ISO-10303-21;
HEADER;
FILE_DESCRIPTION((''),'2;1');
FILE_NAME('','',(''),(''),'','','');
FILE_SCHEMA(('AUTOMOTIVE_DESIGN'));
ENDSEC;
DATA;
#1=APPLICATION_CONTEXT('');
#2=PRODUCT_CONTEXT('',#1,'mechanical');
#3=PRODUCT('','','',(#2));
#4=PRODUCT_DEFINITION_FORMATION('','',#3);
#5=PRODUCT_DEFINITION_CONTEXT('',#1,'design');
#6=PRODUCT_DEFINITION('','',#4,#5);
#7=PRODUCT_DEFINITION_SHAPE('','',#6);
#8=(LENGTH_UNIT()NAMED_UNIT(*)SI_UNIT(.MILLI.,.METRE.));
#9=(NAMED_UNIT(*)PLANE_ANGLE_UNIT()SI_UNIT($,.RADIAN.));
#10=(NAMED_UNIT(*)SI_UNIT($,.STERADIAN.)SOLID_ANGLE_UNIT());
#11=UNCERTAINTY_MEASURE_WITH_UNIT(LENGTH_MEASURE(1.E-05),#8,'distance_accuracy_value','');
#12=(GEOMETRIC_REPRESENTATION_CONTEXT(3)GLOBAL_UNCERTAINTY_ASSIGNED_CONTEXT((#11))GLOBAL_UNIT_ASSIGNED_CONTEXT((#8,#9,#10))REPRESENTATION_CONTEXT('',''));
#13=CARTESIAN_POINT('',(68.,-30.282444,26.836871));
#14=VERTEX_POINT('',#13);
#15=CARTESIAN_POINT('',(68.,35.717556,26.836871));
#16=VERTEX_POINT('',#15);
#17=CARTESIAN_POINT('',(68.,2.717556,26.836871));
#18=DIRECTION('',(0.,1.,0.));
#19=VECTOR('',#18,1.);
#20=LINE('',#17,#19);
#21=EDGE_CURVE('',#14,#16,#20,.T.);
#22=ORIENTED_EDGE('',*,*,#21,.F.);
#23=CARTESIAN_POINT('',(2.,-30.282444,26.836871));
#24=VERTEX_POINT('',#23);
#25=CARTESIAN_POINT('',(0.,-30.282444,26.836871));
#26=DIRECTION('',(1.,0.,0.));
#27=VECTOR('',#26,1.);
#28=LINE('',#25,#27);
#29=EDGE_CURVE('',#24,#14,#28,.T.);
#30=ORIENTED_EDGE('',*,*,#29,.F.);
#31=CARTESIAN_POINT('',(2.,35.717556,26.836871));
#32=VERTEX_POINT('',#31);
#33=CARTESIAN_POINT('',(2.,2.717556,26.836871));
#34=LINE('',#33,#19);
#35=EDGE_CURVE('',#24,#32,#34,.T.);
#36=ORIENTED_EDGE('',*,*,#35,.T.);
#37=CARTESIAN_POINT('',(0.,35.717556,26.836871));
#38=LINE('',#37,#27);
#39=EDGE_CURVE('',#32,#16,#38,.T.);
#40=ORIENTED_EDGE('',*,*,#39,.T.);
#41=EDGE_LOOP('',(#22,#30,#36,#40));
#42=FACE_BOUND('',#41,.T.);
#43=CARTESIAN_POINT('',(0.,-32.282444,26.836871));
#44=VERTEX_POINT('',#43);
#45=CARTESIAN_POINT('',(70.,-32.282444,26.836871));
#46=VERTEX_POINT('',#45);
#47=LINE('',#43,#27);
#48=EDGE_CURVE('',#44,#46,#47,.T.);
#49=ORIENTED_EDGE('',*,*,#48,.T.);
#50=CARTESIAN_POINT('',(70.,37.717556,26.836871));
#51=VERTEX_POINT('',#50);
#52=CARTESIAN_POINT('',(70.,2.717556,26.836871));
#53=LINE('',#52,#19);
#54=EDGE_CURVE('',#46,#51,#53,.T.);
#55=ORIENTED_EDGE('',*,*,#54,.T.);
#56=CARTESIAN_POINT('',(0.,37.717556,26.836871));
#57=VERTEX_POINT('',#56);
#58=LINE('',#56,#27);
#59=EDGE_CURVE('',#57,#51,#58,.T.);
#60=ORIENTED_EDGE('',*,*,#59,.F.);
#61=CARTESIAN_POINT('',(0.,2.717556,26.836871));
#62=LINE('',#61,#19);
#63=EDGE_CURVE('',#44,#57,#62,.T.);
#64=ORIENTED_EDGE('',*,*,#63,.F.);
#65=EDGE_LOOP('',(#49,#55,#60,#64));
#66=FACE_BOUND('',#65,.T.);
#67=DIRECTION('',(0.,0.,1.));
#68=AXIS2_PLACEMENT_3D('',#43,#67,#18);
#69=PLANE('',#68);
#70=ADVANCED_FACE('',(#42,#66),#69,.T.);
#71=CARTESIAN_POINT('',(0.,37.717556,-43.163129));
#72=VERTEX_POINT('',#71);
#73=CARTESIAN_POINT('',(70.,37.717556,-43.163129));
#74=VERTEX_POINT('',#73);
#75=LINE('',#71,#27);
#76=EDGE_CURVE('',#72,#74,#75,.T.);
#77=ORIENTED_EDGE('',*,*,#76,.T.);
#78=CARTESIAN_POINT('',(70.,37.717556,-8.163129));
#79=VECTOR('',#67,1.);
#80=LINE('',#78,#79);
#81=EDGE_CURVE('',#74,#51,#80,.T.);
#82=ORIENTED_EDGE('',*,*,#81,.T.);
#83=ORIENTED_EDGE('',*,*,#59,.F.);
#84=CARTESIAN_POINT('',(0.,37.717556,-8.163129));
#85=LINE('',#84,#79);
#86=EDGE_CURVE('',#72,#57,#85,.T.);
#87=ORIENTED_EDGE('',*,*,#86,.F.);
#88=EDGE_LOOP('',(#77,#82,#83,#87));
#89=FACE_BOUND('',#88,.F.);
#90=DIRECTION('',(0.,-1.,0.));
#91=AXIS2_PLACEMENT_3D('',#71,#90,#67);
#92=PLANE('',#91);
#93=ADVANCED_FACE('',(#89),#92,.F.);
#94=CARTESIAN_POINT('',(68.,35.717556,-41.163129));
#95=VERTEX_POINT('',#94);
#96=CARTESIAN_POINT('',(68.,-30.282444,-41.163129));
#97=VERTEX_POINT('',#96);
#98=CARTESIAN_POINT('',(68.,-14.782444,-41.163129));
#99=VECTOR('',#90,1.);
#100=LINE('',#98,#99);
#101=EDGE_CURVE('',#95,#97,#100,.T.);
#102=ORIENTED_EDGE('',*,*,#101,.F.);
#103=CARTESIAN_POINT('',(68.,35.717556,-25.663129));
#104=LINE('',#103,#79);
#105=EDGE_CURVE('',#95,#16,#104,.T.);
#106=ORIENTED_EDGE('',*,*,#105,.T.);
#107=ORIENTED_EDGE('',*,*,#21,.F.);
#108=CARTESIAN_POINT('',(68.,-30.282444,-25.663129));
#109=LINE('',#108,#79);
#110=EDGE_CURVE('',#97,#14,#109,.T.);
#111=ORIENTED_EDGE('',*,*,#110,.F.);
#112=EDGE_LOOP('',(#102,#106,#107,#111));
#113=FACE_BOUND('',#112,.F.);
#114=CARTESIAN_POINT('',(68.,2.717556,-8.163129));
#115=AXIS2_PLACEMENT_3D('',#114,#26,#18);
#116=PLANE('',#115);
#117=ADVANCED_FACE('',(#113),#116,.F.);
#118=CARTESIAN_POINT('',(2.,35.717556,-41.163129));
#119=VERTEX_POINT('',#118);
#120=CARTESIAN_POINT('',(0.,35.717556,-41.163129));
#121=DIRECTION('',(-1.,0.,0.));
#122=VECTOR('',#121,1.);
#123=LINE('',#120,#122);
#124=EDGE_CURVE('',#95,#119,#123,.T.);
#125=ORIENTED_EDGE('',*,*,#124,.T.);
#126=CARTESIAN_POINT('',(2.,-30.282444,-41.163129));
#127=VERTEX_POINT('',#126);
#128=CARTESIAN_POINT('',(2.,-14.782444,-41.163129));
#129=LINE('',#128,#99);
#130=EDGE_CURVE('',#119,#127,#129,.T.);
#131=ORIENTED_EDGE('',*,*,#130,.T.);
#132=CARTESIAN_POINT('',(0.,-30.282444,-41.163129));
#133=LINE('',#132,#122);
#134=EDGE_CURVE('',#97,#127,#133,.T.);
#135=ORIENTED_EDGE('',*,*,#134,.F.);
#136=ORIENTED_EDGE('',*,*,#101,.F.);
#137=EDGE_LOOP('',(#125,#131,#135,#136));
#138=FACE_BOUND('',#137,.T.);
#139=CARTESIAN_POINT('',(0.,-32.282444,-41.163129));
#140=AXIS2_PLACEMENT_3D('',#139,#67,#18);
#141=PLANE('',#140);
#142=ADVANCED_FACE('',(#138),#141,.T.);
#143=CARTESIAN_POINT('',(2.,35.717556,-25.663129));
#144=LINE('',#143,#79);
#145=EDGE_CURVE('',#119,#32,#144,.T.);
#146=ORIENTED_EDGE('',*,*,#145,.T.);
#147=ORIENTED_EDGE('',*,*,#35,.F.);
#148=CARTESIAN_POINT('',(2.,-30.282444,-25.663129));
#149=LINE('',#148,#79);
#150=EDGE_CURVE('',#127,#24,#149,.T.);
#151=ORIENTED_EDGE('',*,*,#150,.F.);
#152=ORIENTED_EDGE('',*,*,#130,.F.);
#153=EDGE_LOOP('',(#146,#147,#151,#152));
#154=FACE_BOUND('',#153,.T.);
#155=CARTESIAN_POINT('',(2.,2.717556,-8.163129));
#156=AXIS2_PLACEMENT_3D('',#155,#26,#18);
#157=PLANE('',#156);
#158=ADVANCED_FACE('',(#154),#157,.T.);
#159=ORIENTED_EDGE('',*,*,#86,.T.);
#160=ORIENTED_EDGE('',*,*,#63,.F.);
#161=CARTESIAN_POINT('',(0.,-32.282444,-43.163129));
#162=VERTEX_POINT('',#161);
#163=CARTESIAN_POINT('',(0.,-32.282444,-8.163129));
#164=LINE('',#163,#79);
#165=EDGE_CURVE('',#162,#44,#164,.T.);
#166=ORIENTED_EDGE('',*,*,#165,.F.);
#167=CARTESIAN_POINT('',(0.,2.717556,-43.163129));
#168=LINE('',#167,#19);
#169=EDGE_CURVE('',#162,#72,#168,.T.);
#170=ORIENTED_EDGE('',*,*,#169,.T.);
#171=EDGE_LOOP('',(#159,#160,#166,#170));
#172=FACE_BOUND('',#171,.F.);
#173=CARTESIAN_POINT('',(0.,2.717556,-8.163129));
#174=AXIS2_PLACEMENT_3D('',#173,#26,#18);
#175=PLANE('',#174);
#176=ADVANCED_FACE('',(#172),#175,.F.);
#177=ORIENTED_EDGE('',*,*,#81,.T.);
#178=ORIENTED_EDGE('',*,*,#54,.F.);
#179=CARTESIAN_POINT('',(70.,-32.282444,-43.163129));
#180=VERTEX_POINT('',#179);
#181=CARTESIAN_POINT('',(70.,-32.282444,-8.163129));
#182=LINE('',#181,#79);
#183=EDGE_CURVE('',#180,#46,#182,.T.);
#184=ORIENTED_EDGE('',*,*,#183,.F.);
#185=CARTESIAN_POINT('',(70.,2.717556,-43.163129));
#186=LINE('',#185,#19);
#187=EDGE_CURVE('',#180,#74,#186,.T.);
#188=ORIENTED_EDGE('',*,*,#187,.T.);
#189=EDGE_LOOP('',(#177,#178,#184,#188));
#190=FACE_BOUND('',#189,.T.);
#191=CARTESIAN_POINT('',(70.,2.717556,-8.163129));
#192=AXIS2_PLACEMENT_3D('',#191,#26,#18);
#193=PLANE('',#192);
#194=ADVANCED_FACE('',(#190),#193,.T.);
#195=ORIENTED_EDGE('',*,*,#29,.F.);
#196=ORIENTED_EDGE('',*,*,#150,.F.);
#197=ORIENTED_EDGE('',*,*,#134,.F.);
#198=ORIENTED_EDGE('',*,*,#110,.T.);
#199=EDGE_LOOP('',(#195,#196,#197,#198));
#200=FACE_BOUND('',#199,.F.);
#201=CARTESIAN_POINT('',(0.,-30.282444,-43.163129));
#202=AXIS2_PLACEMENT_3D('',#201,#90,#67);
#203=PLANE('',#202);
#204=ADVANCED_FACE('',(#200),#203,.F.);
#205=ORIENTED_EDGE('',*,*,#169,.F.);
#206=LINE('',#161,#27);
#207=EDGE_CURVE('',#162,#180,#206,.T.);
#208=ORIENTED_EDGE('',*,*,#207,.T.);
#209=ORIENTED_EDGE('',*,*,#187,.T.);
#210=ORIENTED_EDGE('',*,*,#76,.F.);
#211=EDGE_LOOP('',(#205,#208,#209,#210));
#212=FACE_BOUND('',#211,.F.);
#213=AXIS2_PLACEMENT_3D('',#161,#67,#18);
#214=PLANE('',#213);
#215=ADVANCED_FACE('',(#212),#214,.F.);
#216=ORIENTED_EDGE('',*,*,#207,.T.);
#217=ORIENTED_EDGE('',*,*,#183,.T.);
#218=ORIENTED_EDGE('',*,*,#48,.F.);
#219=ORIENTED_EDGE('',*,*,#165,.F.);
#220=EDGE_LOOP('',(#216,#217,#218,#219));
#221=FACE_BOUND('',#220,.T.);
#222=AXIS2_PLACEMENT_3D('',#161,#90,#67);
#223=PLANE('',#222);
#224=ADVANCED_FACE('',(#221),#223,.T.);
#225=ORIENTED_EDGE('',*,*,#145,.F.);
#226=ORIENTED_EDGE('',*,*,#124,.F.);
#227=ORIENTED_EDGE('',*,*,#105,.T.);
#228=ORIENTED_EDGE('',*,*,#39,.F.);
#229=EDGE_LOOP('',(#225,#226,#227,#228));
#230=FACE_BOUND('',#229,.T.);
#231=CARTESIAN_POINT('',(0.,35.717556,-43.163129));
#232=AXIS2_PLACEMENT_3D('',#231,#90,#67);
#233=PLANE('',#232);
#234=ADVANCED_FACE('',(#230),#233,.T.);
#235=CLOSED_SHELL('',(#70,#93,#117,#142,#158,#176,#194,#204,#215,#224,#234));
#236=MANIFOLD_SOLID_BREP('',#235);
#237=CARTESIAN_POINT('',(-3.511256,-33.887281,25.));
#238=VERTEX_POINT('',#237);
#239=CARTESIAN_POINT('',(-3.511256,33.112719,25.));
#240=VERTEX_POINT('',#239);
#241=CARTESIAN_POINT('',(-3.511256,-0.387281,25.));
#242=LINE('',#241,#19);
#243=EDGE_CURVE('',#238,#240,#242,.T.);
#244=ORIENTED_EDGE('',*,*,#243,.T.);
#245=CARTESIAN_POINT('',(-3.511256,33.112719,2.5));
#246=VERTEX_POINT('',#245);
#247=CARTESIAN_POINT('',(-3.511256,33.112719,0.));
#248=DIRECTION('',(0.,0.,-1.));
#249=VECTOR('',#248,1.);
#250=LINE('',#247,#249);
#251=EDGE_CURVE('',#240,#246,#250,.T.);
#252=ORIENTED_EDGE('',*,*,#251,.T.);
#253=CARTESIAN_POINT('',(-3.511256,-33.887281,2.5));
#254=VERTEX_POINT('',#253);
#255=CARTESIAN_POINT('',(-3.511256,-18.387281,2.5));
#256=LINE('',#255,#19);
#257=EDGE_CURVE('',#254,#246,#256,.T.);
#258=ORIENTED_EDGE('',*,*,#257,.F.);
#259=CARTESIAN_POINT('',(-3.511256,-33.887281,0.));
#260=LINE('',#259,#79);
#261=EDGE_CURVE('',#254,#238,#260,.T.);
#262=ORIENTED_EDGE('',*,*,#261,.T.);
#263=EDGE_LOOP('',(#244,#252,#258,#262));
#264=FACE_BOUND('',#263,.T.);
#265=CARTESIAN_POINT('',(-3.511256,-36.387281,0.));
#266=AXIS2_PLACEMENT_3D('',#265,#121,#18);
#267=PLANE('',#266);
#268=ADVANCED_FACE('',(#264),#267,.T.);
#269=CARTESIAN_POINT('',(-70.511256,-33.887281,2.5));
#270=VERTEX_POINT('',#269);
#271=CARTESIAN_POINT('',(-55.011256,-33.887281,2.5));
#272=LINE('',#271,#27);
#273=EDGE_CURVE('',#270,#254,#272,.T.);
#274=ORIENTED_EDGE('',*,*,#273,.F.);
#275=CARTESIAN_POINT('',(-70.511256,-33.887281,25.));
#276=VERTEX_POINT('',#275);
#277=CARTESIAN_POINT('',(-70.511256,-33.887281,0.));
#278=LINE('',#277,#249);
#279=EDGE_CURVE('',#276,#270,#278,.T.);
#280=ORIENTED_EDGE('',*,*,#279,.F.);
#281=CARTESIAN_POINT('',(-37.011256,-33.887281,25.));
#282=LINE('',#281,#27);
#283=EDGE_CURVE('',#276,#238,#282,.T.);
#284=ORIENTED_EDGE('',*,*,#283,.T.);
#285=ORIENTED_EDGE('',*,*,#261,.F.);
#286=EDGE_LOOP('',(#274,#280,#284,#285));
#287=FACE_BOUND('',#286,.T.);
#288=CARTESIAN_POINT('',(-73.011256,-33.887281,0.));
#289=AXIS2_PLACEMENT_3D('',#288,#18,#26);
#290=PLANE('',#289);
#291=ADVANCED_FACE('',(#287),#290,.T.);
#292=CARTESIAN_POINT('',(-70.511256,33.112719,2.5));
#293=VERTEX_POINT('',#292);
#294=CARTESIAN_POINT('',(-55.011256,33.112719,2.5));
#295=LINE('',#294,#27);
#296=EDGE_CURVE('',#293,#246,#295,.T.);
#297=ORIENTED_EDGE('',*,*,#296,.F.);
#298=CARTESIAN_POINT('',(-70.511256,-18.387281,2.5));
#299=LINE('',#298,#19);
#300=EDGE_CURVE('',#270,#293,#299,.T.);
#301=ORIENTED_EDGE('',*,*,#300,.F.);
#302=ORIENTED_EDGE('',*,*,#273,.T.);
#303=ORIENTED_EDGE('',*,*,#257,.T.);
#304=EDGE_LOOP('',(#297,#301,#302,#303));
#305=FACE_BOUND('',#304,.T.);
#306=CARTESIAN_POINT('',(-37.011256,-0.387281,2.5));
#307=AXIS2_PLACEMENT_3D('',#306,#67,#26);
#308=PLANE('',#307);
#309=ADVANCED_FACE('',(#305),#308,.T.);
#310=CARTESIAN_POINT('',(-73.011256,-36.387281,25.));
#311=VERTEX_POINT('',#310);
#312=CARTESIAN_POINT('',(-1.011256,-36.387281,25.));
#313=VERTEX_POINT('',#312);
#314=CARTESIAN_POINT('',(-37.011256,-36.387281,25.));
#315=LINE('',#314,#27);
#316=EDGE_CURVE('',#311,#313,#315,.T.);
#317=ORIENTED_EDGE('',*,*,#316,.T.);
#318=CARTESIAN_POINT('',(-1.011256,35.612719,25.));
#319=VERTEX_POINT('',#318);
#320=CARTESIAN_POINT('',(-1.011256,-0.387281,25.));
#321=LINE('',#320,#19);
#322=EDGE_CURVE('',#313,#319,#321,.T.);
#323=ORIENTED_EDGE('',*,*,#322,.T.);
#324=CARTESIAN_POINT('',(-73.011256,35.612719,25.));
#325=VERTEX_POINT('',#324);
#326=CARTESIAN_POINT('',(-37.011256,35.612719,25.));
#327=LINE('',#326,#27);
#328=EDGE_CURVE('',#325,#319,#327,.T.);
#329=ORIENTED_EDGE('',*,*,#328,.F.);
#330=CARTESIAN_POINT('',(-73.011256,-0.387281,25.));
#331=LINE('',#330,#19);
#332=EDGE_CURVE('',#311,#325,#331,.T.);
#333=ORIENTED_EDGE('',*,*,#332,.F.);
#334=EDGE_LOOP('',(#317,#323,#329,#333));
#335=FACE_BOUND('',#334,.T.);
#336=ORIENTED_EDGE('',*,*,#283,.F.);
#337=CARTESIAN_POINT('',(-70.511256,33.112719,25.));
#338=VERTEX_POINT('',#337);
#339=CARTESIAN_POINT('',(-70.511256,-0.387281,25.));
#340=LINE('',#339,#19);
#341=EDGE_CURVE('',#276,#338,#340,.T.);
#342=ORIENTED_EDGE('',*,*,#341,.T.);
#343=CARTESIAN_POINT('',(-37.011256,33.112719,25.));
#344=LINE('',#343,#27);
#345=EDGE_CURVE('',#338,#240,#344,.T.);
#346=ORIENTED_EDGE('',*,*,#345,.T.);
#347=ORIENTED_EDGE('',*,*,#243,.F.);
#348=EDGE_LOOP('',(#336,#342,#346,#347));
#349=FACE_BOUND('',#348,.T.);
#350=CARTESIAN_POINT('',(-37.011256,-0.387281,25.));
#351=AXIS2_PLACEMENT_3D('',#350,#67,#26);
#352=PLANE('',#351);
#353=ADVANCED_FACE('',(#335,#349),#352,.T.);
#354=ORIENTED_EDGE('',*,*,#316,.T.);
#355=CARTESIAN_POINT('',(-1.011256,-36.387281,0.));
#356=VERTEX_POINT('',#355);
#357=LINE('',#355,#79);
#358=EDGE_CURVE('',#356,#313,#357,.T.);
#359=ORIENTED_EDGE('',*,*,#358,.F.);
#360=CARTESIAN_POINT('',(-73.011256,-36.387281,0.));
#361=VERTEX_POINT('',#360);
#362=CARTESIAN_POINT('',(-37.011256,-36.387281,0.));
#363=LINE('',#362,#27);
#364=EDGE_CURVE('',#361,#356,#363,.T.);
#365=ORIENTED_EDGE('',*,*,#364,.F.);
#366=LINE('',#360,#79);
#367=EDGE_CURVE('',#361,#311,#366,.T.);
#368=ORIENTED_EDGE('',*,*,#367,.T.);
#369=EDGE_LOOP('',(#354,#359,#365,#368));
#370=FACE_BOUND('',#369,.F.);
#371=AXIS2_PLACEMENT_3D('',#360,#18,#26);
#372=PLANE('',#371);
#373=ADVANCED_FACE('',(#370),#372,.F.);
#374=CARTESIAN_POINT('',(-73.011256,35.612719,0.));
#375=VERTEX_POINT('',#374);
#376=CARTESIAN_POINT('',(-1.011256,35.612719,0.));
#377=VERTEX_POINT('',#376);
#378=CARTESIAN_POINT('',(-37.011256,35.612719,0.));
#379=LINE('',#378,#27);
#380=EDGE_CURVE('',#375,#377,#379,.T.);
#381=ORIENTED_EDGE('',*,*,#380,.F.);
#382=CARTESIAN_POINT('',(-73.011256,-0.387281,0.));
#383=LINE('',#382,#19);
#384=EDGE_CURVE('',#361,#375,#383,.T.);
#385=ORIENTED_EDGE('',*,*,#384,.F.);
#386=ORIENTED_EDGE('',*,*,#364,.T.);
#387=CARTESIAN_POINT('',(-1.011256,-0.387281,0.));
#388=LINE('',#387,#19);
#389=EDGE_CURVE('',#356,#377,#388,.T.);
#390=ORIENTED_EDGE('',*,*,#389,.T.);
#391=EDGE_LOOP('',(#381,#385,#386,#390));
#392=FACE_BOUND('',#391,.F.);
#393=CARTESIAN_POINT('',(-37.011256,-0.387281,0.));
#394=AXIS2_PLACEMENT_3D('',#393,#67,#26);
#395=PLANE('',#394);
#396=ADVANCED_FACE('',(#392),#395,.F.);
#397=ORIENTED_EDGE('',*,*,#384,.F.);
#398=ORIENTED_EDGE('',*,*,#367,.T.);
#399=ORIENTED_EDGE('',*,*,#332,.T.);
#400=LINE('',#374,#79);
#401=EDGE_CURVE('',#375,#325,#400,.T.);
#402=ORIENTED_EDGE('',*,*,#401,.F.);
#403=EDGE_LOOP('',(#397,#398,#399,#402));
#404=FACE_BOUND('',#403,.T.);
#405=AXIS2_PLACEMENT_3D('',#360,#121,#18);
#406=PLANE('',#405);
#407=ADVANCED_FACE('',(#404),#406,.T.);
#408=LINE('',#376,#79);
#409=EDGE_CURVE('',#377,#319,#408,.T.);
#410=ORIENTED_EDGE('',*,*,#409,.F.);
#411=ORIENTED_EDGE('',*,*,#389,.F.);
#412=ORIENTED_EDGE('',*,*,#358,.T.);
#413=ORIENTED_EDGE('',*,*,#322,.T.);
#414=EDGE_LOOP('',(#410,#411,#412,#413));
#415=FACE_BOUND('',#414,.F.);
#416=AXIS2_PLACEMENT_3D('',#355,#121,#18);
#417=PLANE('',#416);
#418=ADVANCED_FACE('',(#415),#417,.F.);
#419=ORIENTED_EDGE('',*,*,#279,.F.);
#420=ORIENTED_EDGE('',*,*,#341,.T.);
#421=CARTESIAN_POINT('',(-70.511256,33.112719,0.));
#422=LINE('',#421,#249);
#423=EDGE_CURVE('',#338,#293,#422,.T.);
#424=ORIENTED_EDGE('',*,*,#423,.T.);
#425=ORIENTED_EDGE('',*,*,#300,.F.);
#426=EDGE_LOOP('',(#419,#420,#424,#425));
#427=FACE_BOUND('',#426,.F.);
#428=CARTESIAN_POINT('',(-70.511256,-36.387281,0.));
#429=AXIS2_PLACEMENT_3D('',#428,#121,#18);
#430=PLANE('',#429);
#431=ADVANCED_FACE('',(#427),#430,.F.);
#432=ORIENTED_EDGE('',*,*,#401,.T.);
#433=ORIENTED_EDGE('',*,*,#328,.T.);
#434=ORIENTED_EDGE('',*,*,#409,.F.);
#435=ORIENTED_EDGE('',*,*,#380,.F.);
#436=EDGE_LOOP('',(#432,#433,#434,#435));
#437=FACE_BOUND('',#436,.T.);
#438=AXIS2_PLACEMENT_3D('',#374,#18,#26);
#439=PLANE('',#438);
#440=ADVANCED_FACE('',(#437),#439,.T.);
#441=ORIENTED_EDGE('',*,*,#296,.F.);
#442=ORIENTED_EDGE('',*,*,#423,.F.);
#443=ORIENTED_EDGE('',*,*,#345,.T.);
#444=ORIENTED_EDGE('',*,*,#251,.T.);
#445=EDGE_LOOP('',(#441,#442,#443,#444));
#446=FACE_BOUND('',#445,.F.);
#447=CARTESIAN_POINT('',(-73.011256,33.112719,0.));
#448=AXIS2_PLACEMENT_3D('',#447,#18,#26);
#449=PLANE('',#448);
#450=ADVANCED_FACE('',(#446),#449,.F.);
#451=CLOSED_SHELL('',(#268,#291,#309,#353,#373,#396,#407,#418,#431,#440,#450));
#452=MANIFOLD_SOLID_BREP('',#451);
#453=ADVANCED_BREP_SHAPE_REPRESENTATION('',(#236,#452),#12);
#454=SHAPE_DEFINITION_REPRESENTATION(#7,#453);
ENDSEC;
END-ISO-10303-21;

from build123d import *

# Parameters (mm, degrees)
F0_W     = 70
F0_H     = 70
F1_DEPTH = 70
F2_T     = -2
F3_W     = 72
F3_H     = 72
F4_DEPTH = 25
F5_T     = -2.5


with BuildPart() as f1:
    # F0 (on Right) → F1 (new body)
    with BuildSketch(Plane.YZ):
        with Locations((2.717556, -8.163129)):
            Rectangle(F0_W, F0_H)
    extrude(amount=F1_DEPTH)

    # F2
    f2_openings = [f1.faces().sort_by_distance(p)[0] for p in [
        (35, 2.717556, 26.836871),
    ]]
    offset(amount=F2_T, openings=f2_openings)


with BuildPart() as f4:
    # F3 (on Top) → F4 (new body)
    with BuildSketch(Plane.XY):
        with Locations((-37.011256, -0.387281)):
            Rectangle(F3_W, F3_H)
    extrude(amount=F4_DEPTH)

    # F5
    f5_openings = [f4.faces().sort_by_distance(p)[0] for p in [
        (-37.011256, -0.387281, 25),
    ]]
    offset(amount=F5_T, openings=f5_openings)


solid = Compound([f1.part, f4.part])
